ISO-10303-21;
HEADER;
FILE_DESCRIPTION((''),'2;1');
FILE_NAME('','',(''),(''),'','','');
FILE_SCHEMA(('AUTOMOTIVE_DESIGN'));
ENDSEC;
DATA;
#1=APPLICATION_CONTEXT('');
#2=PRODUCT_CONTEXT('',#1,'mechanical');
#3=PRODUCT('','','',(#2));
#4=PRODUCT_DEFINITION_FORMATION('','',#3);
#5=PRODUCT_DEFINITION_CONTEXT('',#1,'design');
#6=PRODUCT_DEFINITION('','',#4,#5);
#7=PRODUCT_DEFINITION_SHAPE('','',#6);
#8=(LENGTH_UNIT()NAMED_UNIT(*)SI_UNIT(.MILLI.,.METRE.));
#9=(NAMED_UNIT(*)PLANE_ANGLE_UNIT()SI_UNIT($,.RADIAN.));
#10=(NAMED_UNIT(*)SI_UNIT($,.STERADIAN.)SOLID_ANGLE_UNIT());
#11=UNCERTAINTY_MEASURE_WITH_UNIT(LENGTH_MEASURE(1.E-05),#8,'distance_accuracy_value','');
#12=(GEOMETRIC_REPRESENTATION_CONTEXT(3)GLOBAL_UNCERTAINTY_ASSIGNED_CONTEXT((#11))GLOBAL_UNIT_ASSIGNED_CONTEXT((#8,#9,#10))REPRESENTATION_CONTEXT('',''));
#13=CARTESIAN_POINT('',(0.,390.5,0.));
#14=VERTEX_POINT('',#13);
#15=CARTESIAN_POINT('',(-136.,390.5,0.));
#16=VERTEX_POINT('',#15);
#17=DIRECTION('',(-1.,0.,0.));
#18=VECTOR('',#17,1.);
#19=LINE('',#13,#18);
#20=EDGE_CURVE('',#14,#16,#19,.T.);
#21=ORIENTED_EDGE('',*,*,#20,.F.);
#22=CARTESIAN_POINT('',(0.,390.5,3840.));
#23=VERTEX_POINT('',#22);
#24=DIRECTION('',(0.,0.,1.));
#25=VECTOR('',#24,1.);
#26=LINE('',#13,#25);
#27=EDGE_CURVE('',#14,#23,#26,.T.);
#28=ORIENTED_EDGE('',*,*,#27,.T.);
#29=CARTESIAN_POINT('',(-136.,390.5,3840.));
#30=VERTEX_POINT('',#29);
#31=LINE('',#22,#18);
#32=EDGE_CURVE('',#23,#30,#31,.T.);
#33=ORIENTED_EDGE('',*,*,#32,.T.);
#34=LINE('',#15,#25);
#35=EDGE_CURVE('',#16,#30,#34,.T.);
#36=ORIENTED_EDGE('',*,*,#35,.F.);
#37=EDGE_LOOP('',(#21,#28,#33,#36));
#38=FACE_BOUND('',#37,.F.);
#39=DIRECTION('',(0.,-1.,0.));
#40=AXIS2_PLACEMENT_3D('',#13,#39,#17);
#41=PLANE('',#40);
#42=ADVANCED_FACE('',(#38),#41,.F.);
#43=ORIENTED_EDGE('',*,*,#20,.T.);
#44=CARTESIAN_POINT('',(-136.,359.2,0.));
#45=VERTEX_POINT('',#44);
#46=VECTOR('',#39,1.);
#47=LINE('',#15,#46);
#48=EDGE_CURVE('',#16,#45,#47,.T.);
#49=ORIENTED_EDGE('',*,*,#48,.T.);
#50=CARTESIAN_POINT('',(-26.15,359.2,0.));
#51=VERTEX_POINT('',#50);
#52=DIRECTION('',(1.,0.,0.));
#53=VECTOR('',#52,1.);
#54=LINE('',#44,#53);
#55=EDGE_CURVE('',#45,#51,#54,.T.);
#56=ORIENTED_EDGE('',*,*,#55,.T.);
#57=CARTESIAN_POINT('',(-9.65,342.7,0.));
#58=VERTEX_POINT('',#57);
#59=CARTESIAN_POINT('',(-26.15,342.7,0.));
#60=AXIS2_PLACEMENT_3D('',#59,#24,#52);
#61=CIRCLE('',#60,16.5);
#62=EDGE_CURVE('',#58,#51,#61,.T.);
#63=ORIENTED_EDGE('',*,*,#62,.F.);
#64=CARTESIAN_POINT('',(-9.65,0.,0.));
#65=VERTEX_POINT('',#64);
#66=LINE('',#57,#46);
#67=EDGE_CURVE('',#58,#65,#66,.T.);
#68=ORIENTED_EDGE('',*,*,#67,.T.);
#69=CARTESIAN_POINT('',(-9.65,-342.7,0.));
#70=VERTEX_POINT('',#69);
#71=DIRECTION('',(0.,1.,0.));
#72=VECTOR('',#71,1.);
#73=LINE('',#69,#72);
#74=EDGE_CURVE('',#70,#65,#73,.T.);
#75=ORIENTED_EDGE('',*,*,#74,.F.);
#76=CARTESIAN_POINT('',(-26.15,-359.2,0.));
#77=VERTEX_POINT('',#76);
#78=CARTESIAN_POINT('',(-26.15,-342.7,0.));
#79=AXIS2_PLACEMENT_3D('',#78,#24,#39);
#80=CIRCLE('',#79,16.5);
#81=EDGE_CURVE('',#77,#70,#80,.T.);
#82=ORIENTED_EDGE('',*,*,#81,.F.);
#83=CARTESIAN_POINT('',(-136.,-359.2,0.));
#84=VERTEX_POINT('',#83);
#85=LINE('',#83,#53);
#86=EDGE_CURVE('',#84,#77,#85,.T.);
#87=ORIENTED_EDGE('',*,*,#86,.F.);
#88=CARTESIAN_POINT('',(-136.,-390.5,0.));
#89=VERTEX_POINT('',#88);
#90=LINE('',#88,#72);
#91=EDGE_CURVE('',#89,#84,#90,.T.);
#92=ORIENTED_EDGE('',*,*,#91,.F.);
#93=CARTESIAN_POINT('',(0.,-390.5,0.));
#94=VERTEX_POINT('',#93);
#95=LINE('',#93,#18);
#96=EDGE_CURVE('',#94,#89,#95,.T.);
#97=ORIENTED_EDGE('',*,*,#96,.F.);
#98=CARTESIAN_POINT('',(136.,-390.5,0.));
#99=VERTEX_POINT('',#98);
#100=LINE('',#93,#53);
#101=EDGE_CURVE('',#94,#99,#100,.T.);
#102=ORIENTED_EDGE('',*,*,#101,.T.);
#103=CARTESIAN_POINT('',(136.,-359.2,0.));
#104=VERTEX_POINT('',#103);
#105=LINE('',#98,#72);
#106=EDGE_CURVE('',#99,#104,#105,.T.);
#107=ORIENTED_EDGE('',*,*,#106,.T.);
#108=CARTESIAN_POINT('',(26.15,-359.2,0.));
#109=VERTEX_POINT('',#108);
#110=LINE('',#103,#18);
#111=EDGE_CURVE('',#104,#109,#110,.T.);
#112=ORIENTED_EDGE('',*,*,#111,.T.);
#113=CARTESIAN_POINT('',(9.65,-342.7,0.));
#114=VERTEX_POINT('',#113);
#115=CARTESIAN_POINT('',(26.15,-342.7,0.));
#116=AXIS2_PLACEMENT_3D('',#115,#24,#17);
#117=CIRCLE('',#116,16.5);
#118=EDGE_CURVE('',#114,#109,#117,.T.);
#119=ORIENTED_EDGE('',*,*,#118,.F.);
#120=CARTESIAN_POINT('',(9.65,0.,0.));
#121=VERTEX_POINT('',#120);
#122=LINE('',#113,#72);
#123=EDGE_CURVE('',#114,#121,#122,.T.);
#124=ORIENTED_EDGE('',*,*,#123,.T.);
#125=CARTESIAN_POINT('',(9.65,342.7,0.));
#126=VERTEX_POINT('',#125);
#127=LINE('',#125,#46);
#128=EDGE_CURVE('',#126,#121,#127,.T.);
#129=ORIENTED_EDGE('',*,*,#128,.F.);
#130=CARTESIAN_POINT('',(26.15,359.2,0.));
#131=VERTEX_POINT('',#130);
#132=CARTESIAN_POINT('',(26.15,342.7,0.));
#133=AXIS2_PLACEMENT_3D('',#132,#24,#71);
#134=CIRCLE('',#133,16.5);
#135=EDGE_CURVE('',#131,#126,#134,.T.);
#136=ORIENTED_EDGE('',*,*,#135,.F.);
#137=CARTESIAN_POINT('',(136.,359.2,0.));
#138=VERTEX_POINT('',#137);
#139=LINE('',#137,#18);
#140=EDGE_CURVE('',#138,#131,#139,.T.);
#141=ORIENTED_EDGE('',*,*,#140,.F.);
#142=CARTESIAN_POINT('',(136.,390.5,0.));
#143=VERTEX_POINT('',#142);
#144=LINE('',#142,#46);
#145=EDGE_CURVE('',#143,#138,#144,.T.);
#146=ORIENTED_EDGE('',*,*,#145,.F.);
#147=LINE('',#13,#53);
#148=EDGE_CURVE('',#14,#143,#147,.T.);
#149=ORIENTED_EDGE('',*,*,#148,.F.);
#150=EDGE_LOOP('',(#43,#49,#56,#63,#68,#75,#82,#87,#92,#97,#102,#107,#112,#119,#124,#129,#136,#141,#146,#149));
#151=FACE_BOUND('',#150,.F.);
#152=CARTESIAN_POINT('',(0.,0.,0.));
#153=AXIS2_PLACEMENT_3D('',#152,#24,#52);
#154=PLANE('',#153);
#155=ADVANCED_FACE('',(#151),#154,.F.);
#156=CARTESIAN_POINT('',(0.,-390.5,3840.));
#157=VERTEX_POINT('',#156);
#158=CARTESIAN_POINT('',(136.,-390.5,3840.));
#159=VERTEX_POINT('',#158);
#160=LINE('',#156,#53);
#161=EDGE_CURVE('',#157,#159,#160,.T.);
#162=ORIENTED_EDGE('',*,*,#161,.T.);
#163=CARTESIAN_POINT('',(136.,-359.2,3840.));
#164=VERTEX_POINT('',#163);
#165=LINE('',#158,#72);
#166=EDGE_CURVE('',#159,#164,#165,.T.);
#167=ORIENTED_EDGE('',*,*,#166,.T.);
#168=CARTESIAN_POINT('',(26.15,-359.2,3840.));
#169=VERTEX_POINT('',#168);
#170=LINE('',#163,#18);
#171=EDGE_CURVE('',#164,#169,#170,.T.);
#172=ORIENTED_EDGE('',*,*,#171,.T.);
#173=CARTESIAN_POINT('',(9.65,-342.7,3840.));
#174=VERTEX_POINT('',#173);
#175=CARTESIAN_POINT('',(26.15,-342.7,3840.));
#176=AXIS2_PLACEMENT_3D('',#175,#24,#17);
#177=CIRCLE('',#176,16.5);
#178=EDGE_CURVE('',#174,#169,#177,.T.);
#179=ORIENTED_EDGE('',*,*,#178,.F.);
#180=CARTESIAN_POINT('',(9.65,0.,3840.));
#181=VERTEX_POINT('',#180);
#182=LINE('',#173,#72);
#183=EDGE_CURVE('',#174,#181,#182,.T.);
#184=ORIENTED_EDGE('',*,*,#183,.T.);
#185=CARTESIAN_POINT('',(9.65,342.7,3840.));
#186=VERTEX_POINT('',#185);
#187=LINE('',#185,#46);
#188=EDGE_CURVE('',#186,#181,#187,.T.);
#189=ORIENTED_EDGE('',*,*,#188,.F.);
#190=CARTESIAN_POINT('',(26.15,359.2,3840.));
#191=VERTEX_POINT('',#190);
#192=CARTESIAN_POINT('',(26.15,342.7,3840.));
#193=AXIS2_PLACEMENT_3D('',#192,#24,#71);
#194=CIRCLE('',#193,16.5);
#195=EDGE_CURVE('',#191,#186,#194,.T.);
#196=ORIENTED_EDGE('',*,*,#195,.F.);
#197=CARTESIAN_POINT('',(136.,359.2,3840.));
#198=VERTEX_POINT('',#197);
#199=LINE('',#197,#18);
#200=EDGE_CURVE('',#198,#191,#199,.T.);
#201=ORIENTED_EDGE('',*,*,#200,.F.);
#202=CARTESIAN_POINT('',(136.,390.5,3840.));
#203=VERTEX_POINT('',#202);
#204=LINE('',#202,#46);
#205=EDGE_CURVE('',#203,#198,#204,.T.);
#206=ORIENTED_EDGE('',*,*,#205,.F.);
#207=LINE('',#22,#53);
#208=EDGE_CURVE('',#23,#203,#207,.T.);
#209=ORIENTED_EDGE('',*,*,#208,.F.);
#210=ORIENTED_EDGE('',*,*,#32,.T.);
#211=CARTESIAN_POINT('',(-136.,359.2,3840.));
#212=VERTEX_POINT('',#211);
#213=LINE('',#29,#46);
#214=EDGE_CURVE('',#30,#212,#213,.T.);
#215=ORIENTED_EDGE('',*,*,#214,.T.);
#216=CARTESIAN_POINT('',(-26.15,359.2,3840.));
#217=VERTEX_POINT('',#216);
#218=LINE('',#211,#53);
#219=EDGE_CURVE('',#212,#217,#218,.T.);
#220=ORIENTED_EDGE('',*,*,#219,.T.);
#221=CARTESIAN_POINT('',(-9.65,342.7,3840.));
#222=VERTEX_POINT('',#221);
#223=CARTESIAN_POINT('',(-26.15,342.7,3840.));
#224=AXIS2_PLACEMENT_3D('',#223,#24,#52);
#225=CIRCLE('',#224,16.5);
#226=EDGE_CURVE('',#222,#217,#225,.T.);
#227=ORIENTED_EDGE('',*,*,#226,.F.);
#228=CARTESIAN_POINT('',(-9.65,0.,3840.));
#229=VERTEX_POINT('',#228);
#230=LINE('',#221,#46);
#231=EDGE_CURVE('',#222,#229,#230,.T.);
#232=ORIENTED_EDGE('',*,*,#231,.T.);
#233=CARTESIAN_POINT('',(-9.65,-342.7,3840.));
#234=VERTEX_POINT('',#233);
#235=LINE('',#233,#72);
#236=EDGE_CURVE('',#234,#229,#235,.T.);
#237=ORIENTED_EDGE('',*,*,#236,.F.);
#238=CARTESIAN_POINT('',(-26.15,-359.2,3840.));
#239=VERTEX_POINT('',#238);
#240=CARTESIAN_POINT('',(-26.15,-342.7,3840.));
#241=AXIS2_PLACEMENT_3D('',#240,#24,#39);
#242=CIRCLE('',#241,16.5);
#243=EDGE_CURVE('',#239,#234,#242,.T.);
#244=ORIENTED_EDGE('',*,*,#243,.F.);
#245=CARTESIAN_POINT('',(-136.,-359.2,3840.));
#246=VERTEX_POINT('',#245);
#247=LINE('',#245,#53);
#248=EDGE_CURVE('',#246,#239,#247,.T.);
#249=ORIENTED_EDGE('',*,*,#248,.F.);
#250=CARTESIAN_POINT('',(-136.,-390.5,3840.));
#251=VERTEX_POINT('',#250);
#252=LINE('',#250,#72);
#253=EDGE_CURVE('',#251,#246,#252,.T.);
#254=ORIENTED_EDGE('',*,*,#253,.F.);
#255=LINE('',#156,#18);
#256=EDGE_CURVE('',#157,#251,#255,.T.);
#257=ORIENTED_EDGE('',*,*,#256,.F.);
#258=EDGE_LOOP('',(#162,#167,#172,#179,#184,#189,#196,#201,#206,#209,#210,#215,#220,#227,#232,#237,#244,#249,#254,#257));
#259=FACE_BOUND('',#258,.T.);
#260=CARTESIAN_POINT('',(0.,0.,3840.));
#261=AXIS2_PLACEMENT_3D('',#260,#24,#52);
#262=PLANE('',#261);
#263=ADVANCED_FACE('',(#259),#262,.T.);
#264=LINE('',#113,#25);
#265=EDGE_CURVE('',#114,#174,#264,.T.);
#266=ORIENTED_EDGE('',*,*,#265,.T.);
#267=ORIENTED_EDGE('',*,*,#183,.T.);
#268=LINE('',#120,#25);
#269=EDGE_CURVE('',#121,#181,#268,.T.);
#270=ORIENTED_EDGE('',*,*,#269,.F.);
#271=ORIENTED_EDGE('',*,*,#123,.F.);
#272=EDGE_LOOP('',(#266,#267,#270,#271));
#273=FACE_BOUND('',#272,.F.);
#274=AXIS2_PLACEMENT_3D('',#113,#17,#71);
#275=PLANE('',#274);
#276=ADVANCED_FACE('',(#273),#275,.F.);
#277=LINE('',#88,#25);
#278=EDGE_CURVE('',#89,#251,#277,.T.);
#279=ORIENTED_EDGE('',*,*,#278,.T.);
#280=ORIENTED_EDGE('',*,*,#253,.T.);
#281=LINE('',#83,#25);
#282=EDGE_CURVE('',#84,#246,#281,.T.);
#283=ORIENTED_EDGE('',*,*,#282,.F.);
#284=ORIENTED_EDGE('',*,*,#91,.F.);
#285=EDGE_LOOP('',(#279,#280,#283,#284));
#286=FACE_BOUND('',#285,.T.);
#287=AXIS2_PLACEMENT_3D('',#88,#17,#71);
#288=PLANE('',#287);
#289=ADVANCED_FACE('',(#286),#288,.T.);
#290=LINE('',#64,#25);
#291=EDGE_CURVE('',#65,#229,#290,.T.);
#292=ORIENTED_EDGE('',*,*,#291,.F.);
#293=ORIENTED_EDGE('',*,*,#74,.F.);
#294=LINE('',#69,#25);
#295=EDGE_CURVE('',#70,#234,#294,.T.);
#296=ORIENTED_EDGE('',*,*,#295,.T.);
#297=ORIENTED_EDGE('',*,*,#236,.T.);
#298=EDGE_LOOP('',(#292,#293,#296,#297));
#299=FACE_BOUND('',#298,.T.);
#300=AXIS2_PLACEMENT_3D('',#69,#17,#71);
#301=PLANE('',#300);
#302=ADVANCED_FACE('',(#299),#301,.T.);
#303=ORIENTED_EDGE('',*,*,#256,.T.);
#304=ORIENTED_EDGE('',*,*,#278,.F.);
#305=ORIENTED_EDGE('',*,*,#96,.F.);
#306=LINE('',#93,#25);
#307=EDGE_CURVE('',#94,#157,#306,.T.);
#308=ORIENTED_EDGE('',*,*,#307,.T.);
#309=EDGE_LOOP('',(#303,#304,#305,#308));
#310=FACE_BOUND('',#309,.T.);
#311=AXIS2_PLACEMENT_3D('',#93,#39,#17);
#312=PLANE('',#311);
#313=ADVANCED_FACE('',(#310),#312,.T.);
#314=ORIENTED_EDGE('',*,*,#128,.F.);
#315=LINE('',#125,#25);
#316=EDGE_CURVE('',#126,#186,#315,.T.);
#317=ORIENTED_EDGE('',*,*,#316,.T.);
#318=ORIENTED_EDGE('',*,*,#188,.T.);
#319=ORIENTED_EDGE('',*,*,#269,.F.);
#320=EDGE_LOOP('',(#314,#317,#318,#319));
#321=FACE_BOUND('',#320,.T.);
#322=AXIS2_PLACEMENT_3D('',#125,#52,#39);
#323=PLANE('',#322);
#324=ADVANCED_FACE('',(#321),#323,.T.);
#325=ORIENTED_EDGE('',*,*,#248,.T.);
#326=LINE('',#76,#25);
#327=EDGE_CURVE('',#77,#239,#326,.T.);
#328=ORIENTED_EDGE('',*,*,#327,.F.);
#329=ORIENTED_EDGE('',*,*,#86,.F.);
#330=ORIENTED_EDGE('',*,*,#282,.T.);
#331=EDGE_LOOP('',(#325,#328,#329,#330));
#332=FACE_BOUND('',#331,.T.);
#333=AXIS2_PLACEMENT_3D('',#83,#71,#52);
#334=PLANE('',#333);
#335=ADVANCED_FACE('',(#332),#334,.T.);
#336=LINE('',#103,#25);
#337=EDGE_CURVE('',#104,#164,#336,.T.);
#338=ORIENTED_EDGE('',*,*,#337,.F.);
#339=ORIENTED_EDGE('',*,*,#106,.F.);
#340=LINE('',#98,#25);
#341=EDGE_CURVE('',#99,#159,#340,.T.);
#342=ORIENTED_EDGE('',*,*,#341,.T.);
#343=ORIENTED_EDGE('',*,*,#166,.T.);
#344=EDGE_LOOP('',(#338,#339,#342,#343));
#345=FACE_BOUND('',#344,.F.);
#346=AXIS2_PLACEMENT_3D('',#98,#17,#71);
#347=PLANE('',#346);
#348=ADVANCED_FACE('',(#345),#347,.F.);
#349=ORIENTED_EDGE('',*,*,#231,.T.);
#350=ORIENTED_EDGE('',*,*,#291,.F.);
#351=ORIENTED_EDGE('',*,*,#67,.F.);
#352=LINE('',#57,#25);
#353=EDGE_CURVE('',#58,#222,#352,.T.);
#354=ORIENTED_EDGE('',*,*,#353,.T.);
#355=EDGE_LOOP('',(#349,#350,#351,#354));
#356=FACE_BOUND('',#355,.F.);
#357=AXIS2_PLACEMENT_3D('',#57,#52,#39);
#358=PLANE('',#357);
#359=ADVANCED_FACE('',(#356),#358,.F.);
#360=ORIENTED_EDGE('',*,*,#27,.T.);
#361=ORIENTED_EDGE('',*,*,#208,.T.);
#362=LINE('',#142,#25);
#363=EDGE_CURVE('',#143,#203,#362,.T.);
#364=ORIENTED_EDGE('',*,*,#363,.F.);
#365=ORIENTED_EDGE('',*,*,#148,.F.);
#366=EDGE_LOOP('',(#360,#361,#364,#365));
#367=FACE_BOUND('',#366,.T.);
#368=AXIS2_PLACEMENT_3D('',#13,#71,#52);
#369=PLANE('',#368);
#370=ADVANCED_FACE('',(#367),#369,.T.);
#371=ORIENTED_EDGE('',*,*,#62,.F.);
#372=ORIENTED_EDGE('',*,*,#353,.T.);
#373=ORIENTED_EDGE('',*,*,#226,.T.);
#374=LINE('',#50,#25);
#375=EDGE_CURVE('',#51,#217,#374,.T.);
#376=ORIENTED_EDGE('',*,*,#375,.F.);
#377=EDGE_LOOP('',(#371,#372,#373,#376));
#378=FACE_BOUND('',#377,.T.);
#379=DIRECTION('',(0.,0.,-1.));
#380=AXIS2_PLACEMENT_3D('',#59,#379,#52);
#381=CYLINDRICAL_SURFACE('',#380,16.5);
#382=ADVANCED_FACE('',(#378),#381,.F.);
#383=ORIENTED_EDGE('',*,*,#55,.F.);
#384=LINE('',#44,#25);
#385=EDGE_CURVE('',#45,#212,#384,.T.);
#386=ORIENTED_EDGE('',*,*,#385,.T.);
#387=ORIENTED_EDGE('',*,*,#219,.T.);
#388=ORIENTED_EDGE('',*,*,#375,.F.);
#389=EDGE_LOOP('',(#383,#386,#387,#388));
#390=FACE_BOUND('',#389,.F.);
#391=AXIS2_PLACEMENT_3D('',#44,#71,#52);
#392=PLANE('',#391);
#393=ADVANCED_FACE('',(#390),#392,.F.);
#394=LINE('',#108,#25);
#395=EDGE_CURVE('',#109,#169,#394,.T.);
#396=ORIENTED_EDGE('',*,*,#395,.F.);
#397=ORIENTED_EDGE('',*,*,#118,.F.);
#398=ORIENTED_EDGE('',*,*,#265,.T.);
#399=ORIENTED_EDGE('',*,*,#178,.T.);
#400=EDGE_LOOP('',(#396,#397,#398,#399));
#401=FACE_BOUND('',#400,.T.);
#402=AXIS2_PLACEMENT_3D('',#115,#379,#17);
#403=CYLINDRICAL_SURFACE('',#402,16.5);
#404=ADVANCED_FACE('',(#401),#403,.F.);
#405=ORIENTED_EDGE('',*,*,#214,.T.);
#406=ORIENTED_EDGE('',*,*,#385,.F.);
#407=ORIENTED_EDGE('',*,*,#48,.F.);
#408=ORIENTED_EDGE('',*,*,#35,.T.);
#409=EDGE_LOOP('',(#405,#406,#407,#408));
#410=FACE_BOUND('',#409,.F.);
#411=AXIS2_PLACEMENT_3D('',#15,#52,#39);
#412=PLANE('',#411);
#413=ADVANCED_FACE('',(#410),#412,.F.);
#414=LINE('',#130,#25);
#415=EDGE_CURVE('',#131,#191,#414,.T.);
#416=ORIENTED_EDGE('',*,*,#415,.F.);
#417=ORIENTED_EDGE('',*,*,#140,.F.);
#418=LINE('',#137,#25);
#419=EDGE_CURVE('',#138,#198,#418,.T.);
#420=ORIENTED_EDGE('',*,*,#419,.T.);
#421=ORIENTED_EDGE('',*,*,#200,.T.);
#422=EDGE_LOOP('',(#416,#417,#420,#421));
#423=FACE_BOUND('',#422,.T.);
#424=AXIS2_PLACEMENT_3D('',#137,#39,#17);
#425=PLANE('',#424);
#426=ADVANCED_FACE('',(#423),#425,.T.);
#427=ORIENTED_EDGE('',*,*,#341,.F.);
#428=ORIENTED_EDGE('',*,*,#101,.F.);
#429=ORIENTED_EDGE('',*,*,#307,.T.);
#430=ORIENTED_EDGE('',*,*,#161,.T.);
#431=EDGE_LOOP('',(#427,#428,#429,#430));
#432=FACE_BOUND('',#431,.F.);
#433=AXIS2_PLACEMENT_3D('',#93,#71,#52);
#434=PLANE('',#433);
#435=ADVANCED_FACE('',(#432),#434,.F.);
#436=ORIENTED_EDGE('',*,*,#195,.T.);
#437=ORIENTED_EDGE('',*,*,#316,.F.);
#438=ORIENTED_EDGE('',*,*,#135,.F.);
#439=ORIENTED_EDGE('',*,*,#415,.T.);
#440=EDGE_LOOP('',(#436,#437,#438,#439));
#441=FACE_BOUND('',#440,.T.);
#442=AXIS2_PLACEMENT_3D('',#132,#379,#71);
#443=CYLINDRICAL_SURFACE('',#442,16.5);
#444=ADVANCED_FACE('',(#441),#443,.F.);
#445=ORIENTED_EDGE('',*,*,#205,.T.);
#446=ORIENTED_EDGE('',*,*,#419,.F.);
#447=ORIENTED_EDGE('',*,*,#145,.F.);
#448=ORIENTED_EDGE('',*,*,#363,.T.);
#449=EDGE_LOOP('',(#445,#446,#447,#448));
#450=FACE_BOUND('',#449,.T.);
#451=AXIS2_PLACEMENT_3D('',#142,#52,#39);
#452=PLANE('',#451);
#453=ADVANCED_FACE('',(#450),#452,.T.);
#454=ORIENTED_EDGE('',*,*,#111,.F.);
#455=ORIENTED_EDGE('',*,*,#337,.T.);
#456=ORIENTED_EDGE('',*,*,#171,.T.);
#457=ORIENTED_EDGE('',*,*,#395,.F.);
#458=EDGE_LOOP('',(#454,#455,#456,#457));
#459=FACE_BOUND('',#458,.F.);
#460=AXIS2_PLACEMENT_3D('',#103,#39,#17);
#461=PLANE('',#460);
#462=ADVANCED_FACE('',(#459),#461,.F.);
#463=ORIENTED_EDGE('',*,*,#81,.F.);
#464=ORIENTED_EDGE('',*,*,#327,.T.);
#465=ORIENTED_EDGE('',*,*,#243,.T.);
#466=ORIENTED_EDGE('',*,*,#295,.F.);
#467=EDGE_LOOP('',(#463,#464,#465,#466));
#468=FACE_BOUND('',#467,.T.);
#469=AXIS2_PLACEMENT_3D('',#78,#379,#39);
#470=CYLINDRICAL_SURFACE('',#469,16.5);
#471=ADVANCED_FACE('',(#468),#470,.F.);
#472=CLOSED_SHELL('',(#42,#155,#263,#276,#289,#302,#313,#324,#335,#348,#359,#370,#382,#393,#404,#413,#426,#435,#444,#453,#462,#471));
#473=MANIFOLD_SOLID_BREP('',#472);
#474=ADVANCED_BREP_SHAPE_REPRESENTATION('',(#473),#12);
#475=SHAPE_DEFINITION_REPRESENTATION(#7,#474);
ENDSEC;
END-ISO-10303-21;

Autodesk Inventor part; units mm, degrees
ref_plane "YZ Plane" through (0, 0, 0) normal (1, 0, 0) x (0, 1, 0)
ref_plane "Start plane" through (0, 0, 0) normal (0, 0, 1) x (1, 0, 0)
ref_plane "End plane" through (0, 0, 3840) normal (0, 0, 1) x (1, 0, 0)
sketch "Sketch" plane through (0, 0, 0) normal (0, 0, 1) x (1, 0, 0)
  line L0 (-136, -390.5) -> (-136, -359.2)
  line L1 (-136, -359.2) -> (-26.15, -359.2)
  line L2 (-9.65, -342.7) -> (-9.65, 0)
  line L3 (-9.65, 0) -> (0, 0) construction
  line L4 (0, 0) -> (0, -390.5) construction
  line L5 (0, -390.5) -> (-136, -390.5)
  line L6 (-60, 0) -> (80, 0) construction
  line L7 (0, -60) -> (0, 80) construction
  line L8 (136, -390.5) -> (136, -359.2)
  line L9 (136, -359.2) -> (26.15, -359.2)
  line L10 (9.65, -342.7) -> (9.65, 0)
  line L11 (9.65, 0) -> (0, 0) construction
  line L12 (0, -390.5) -> (136, -390.5)
  line L13 (-136, 390.5) -> (-136, 359.2)
  line L14 (-136, 359.2) -> (-26.15, 359.2)
  line L15 (-9.65, 342.7) -> (-9.65, 0)
  line L16 (0, 390.5) -> (-136, 390.5)
  line L17 (136, 390.5) -> (136, 359.2)
  line L18 (136, 359.2) -> (26.15, 359.2)
  line L19 (0, 390.5) -> (136, 390.5)
  line L20 (9.65, 342.7) -> (9.65, 0)
  arc A0 (-9.65, 342.7) -> (-26.15, 359.2) centre (-26.15, 342.7) ccw
  arc A1 (26.15, 359.2) -> (9.65, 342.7) centre (26.15, 342.7) ccw
  arc A2 (9.65, -342.7) -> (26.15, -359.2) centre (26.15, -342.7) ccw
  arc A3 (-26.15, -359.2) -> (-9.65, -342.7) centre (-26.15, -342.7) ccw
  line L21 (0, 108) -> (0, -88) construction
  line L22 (-88, 0) -> (108, 0) construction
  point P0 (-9.65, -359.2)
  point P1 (9.65, -359.2)
  point P2 (-9.65, 359.2)
  point P3 (9.65, 359.2)
  dimension "d1" = 390.5
  dimension "d2" = 31.3
  dimension "d3" = 136
  dimension "d4" = 9.65
  dimension "d10" = 16.5
extrude "Body" add sketch "Sketch" along normal up to surface (3840 mm away) from surface at 0
sketch "Sketch4" plane through (0, 0, 0) normal (0, 0, 1) x (1, 0, 0)
  line L0 (0, 0) -> (10, 0)
ref_plane "Work Plane3" through (0, 0, 0) normal (0, -1, 0) x (1, 0, 0)
sketch "Sketch5" plane through (0, 0, 0) normal (0, -1, 0) x (1, 0, 0)
  line L0 (-2, 0) -> (12, 0) projected
  line L1 (-2, 3840) -> (12, 3840) projected
  dimension "d14" = 3840
equation "\"d1\" = 0.5 * G_H"
equation "\"d2\" = G_T1"
equation "\"d3\" = 0.5 * G_W"
equation "\"d4\" = 0.5 * G_T"
equation "\"d10\" = G_IR"
equation "\"d5\" = G_L"
equation "\"G_W\" = 272"
equation "\"G_H\" = 781"
equation "\"G_T\" = 19.3"
equation "\"G_T1\" = 31.3"
equation "\"G_IR\" = 16.5"
equation "\"G_L\" = d14"
equation "\"G_OFFSET_START\" = 0"
equation "\"G_OFFSET_END\" = 0"
properties part number "AS 3679-1990 - 760 UB - 244 - 3840" material "Steel, Mild"
